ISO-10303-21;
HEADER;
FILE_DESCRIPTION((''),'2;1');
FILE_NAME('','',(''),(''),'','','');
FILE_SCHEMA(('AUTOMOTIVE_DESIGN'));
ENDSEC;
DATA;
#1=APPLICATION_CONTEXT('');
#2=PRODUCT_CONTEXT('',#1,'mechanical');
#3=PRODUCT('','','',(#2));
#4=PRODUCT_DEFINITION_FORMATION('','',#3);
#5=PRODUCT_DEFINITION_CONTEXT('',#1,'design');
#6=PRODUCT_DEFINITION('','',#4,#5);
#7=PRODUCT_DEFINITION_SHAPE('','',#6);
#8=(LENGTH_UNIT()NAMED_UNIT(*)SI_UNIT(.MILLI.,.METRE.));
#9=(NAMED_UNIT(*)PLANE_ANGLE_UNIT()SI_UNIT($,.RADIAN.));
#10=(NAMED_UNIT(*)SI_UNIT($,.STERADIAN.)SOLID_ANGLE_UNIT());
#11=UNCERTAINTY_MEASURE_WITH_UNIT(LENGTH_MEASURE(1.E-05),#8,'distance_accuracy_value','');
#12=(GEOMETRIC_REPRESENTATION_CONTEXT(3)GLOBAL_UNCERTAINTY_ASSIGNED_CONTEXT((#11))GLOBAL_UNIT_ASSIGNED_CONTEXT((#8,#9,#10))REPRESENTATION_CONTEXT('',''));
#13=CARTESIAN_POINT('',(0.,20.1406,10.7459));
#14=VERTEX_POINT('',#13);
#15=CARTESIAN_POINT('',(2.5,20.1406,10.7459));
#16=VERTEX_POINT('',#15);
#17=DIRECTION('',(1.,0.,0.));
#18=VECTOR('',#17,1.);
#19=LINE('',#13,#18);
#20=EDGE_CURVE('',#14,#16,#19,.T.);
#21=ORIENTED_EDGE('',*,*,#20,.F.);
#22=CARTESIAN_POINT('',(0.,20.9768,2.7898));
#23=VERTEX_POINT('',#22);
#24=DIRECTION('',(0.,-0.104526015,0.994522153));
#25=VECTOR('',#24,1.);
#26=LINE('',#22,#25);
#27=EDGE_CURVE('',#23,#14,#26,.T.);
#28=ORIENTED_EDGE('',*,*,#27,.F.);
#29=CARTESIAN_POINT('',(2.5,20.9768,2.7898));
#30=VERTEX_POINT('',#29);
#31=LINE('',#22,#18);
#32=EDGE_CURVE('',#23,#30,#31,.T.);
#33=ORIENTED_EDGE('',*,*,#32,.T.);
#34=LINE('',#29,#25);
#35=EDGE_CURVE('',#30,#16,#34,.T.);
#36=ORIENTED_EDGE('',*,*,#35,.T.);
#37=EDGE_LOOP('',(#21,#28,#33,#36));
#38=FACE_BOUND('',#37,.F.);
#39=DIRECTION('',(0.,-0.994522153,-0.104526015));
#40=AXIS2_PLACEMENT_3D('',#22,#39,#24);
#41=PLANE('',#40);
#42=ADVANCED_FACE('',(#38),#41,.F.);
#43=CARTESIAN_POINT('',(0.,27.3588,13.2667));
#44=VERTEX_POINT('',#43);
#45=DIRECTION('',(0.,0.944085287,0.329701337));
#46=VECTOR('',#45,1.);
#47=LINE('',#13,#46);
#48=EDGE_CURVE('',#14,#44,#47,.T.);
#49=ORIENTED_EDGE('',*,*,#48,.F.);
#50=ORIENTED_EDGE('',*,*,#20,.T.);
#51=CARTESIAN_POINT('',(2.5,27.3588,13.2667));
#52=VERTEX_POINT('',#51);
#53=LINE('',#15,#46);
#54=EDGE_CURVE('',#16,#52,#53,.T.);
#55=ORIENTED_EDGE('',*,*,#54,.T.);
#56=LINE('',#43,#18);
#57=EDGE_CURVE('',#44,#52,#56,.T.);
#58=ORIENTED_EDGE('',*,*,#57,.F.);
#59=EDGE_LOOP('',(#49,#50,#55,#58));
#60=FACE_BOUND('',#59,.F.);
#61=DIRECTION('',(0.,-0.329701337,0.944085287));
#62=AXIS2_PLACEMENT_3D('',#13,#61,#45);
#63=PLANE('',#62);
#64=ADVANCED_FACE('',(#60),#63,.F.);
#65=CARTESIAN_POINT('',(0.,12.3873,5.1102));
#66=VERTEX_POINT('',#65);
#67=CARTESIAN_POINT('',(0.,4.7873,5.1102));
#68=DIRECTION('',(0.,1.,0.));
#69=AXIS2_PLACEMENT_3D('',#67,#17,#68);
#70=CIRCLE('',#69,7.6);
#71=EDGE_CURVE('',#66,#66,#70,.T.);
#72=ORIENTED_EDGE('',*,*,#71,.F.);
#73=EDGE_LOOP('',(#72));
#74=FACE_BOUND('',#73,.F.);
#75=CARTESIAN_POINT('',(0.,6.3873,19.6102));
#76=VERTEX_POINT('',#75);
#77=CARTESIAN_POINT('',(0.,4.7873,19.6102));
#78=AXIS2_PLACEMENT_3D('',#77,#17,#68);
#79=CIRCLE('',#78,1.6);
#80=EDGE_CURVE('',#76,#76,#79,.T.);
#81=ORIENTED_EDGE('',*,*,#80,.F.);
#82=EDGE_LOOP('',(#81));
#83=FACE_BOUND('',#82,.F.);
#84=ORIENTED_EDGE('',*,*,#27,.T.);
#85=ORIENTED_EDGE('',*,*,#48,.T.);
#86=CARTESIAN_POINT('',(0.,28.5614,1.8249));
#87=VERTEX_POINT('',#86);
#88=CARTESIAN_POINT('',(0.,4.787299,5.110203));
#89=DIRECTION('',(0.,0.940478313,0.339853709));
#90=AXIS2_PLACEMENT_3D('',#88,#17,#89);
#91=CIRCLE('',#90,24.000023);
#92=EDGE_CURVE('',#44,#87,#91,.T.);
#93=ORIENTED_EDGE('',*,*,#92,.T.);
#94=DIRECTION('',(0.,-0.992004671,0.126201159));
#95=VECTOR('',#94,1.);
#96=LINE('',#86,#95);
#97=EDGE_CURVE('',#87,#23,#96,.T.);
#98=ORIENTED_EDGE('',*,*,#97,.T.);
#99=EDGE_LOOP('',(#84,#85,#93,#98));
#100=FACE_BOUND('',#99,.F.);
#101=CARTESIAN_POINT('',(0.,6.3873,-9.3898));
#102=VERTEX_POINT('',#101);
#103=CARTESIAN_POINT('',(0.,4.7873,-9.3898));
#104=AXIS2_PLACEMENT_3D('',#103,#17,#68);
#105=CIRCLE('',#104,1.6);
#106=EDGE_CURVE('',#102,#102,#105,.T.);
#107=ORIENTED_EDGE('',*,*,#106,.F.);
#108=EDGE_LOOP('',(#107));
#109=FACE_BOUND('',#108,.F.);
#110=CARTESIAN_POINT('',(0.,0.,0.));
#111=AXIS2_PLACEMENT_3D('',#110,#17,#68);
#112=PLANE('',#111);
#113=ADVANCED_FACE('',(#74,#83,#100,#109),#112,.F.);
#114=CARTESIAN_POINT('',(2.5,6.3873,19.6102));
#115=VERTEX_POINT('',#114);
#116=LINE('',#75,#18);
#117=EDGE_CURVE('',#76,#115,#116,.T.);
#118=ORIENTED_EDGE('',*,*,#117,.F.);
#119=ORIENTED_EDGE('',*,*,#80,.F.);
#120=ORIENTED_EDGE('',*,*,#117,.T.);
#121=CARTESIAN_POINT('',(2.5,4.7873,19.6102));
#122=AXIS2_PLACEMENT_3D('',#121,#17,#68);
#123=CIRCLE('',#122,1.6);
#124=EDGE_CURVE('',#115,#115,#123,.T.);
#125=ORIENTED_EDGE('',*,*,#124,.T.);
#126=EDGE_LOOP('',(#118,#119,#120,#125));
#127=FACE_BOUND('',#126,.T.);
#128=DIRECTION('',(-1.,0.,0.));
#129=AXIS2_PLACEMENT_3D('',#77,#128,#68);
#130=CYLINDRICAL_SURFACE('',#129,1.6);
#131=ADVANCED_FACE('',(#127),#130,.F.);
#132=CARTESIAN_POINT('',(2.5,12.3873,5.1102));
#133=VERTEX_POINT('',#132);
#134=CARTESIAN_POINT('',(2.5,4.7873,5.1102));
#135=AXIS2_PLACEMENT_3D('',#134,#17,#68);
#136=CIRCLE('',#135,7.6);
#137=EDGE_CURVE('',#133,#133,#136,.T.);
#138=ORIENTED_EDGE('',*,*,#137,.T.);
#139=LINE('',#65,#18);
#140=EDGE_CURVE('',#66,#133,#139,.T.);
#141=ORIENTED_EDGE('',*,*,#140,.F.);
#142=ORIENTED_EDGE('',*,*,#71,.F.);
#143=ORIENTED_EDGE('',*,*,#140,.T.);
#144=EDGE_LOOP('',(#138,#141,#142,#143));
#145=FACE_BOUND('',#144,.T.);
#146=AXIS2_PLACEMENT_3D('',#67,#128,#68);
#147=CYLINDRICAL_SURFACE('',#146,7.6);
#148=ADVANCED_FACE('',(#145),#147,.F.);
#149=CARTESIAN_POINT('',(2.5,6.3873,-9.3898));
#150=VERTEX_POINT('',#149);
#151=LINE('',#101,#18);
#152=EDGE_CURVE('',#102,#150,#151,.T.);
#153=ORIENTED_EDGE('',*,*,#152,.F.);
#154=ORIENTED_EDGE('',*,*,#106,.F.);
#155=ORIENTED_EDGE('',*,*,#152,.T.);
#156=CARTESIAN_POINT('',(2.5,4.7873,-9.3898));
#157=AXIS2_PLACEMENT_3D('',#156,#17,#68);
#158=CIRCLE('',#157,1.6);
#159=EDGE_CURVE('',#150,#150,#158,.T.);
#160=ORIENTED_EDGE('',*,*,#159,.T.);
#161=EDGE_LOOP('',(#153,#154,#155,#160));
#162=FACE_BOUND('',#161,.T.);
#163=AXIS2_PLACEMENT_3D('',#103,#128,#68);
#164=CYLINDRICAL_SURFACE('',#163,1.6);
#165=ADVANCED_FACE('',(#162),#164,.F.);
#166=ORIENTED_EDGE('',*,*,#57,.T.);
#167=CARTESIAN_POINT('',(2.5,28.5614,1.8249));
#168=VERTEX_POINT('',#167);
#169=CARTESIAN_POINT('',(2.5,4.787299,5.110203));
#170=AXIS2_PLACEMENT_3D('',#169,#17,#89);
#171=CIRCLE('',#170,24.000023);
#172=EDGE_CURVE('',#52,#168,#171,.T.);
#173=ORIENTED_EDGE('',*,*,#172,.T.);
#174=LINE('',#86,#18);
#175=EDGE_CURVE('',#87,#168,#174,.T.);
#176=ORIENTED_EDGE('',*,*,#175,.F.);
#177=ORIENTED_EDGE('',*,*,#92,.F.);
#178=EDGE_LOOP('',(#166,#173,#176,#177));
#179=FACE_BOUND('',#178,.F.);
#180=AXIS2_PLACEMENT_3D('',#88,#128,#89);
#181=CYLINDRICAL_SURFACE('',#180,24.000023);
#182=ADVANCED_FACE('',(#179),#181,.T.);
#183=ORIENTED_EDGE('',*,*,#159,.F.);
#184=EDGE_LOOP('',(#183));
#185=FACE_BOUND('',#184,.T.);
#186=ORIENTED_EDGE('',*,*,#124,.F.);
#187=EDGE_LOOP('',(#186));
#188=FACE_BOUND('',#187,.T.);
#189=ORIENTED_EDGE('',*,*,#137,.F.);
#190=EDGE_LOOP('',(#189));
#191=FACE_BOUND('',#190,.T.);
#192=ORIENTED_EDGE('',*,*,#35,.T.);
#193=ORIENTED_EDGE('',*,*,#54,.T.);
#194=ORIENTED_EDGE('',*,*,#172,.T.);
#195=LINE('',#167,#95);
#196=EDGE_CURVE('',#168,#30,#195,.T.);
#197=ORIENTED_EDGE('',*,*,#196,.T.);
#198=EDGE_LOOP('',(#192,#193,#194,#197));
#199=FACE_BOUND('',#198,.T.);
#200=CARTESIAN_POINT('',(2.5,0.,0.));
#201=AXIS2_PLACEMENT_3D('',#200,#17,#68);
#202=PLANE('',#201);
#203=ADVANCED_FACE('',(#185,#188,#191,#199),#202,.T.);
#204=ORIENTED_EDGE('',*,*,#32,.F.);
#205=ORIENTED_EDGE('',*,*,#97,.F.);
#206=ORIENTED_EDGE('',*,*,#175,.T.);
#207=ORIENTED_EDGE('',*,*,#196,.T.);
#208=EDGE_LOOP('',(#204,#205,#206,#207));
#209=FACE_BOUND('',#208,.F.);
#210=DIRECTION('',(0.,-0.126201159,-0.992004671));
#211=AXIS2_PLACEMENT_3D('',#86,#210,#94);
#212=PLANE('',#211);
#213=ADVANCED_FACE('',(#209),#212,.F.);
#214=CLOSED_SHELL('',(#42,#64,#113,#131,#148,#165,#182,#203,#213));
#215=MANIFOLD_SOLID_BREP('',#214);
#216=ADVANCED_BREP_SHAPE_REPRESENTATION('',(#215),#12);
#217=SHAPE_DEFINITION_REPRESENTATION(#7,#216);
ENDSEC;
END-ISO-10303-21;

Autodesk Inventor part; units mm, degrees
ref_plane "YZ Plane" through (0, 0, 0) normal (1, 0, 0) x (0, 1, 0)
ref_plane "XZ Plane" through (0, 0, 0) normal (0, 1, 0) x (-1, 0, 0)
ref_plane "XY Plane" through (0, 0, 0) normal (0, 0, 1) x (1, 0, 0)
sketch "スケッチ2" plane through (0, 0, 0) normal (1, 0, 0) x (0, 1, 0)
  line L0 (20.1406, 10.7459) -> (27.3588, 13.2667)
  arc A0 (27.3588, 13.2667) -> (28.5614, 1.8249) centre (4.7873, 5.1102) ccw
  line L1 (28.5614, 1.8249) -> (20.9768, 2.7898)
  line L2 (20.9768, 2.7898) -> (20.1406, 10.7459)
  circle A1 centre (4.7873, 19.6102) radius 1.6
  circle A2 centre (4.7873, -9.3898) radius 1.6
  circle A3 centre (4.7873, 5.1102) radius 7.6
  point P0 (0, 0)
extrude "押し出し2" add sketch "スケッチ2" along normal blind 2.5
properties part number "belt_liner_v2_3DP_P-3-F" material "ABS プラスチック"
